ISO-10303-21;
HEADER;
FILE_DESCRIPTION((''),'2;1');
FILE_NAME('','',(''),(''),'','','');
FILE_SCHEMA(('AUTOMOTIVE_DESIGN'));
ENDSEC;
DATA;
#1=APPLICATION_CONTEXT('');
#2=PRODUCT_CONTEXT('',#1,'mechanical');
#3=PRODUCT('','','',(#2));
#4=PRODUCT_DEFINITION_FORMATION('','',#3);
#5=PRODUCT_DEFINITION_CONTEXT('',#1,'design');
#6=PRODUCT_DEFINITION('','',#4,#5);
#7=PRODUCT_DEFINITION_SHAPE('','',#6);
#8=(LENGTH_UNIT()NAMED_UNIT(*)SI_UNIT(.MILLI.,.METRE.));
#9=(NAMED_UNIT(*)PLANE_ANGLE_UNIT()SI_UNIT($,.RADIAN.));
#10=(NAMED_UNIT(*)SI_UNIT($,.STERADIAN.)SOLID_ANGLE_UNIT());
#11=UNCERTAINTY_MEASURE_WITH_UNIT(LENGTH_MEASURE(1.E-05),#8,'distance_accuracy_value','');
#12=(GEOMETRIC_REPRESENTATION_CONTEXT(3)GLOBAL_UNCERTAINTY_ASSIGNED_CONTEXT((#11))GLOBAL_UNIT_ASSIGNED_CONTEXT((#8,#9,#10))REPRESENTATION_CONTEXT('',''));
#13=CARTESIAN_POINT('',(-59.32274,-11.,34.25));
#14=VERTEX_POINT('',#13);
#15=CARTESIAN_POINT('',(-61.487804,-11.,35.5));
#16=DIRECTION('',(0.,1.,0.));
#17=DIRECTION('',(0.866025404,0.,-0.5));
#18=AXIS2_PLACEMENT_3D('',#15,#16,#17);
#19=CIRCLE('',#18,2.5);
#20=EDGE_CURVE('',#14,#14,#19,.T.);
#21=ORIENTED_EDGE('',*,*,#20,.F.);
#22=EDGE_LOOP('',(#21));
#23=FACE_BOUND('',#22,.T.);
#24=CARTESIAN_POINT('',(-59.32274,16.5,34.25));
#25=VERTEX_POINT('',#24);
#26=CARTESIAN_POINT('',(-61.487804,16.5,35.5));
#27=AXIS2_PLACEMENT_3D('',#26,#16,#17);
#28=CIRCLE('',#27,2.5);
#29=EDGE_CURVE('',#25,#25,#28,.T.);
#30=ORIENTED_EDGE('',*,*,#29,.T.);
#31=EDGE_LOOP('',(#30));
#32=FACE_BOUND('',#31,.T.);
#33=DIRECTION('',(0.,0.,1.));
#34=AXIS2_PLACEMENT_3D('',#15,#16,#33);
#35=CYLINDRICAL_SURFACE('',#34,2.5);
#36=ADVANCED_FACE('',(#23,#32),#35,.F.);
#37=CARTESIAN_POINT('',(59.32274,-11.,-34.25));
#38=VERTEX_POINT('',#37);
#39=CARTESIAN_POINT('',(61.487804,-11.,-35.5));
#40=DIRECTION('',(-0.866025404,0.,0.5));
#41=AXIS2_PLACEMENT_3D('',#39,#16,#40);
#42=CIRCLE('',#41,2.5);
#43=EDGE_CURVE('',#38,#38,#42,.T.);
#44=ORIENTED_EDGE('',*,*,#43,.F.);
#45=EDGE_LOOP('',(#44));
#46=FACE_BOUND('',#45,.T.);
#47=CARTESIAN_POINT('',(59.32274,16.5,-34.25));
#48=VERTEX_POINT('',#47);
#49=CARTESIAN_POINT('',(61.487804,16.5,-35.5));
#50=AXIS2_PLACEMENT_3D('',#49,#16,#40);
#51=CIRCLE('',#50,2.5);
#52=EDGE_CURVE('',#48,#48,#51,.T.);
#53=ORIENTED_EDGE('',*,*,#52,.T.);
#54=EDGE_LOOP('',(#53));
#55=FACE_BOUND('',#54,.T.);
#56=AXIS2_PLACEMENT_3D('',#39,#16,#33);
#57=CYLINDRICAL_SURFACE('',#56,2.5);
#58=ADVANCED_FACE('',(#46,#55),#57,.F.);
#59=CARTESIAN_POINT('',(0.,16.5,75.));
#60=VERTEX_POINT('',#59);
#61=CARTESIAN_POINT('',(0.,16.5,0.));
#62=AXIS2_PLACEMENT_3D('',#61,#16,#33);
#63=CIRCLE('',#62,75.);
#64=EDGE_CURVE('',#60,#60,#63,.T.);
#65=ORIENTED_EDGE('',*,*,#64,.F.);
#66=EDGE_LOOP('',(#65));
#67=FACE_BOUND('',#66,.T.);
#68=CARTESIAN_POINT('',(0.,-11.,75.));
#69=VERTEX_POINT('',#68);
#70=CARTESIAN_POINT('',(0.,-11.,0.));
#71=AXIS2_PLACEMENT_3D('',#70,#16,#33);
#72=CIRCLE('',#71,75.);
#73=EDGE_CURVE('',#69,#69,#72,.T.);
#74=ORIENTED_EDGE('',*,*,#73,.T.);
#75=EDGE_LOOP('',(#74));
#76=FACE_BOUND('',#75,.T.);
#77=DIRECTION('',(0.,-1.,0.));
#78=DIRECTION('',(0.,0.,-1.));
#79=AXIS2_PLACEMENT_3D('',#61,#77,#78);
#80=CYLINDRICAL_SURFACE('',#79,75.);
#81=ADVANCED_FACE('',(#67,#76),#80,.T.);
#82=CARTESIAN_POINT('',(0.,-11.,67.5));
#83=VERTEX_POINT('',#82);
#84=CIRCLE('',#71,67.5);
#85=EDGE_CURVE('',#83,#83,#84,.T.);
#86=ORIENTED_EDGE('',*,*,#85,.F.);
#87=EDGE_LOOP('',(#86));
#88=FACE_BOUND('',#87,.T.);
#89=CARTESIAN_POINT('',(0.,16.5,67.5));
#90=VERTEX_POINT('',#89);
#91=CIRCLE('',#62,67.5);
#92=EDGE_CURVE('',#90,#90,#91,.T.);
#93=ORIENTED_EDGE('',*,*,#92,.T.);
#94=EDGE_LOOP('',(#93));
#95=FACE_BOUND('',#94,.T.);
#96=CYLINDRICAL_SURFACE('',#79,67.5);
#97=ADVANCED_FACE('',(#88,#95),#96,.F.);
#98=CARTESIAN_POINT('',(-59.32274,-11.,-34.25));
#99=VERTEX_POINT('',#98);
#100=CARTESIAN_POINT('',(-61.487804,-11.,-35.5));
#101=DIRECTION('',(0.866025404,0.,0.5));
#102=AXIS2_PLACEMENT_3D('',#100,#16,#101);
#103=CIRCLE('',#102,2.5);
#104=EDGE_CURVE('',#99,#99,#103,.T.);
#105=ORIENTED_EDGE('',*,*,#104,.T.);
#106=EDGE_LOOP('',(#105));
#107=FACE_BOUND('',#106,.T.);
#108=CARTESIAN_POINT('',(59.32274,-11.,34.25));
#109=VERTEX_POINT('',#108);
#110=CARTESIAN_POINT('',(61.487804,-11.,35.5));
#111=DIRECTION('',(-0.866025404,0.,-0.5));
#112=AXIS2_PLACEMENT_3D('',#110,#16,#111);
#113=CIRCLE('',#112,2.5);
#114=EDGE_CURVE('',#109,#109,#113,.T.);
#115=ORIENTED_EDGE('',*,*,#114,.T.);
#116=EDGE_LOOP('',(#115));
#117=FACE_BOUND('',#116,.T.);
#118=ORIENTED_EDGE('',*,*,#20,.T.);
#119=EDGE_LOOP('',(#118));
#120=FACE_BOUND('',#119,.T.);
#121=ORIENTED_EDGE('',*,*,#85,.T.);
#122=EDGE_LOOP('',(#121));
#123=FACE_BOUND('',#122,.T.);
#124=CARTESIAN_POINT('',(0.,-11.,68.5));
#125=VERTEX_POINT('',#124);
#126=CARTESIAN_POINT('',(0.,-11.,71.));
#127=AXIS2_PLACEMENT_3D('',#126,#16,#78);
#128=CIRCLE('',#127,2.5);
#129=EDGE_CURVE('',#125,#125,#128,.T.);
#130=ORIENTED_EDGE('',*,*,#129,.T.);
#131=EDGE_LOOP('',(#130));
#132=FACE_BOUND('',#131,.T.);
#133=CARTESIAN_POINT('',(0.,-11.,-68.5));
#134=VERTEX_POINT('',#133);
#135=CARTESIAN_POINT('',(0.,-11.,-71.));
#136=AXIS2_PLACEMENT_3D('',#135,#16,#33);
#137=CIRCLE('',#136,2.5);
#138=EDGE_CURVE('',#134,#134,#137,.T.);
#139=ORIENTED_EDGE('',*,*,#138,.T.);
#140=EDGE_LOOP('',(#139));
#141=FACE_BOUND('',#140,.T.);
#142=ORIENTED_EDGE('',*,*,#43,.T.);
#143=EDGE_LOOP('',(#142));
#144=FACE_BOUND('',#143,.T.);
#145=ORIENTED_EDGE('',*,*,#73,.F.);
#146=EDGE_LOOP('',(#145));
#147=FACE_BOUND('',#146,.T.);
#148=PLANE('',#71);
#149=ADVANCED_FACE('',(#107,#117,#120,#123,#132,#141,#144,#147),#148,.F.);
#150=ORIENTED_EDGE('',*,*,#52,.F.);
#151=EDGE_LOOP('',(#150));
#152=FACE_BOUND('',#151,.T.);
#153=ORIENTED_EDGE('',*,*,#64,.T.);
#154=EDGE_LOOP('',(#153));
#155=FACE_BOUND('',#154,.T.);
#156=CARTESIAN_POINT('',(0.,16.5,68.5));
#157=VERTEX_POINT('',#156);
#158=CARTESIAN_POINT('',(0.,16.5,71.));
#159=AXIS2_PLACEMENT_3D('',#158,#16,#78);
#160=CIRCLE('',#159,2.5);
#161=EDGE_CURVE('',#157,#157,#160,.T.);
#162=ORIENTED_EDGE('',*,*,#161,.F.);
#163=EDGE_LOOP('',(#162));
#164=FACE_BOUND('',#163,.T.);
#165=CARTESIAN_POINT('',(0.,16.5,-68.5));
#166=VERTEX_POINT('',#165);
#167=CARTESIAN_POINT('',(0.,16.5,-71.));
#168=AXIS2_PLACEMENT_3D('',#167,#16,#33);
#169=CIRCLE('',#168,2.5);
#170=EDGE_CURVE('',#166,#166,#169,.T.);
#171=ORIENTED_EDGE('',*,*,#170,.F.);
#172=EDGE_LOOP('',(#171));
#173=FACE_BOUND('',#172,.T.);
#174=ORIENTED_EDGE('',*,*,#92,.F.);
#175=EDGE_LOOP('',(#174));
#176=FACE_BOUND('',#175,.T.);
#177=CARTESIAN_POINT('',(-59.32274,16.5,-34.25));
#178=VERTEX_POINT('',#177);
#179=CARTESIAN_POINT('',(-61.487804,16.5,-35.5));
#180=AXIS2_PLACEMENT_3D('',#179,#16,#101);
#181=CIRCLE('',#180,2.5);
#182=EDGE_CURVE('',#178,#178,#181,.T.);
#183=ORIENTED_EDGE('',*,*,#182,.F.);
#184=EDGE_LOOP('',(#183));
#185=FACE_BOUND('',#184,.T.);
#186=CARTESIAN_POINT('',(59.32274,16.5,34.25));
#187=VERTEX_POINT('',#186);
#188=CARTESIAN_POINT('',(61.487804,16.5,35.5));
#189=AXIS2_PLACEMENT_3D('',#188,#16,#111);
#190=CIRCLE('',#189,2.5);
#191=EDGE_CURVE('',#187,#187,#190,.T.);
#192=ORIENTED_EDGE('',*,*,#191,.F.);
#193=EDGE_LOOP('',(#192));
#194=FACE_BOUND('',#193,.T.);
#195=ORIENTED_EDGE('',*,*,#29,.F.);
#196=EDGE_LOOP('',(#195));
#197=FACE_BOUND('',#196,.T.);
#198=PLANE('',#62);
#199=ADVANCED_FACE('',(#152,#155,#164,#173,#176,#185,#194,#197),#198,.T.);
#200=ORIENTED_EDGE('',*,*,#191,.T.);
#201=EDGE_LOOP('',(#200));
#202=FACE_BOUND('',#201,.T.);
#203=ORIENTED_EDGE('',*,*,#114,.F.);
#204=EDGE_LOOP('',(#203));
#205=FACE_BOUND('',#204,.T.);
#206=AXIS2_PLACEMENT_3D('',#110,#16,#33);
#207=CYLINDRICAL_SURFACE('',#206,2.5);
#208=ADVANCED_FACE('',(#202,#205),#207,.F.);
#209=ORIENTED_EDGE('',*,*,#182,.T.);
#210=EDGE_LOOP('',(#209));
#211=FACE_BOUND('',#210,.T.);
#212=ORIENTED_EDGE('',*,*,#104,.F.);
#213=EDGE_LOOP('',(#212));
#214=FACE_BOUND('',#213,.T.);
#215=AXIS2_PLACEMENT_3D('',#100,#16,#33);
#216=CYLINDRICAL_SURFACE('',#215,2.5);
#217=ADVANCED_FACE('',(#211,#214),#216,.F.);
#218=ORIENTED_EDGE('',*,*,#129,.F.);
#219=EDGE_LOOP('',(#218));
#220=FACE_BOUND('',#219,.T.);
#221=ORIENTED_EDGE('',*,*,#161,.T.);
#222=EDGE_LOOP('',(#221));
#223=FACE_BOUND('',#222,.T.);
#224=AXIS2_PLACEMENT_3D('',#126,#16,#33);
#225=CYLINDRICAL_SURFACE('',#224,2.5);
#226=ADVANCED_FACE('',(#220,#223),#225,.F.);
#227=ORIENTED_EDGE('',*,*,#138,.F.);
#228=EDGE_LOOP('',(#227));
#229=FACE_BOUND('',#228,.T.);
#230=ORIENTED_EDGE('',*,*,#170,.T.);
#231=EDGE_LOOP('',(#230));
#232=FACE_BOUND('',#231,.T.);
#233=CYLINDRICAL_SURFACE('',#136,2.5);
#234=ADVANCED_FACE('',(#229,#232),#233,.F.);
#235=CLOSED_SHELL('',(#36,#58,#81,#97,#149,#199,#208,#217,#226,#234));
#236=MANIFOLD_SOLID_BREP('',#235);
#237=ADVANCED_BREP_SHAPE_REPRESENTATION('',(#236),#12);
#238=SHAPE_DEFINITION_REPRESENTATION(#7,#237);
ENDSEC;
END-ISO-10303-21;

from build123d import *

# Parameters (mm, degrees)
SKETCH1_R           = 15
SKETCH1_R_2         = 13.5
BOSS_EXTRUDE1_DEPTH = 5.5
SKETCH2_R           = 0.5
CUT_EXTRUDE1_DEPTH  = 5.5
CIRPATTERN1_COUNT   = 6
SCALE1_SCALE        = 5


with BuildPart() as part:
    # Sketch1 → Boss-Extrude1 (new body)
    with BuildSketch(Plane(origin=(0, 0, 0), x_dir=(1, 0, 0), z_dir=(0, 1, 0))):
        with Locations(Location((0, 0, 0), (0, 0, 270))):
            Circle(SKETCH1_R)
        with Locations(Location((0, 0, 0), (0, 0, 270))):
            Circle(SKETCH1_R_2, mode=Mode.SUBTRACT)
    extrude(amount=BOSS_EXTRUDE1_DEPTH)

    # Sketch2 → Cut-Extrude1 (cut)
    with BuildSketch(Plane(origin=(0, 5.5, 0), x_dir=(1, 0, 0), z_dir=(0, 1, 0))):
        with Locations(Location((0, 14.2, 0), (0, 0, 270))):
            Circle(SKETCH2_R)
    cut_extrude1 = extrude(amount=-CUT_EXTRUDE1_DEPTH, mode=Mode.SUBTRACT)

    # CirPattern1: Cut-Extrude1 ×6 about axis
    cirpattern1_axis = Axis((0, 0, 0), (0, 1, 0))
    for i in range(1, CIRPATTERN1_COUNT):
        add(cut_extrude1.rotate(cirpattern1_axis, i * 360 / CIRPATTERN1_COUNT), mode=Mode.SUBTRACT)


with BuildPart() as part_1:
    # Scale1: scaled about (0, 2.75, 0)
    add(part.part.scale(SCALE1_SCALE).moved(Location((0, -11, 0))))


solid = part_1.part
